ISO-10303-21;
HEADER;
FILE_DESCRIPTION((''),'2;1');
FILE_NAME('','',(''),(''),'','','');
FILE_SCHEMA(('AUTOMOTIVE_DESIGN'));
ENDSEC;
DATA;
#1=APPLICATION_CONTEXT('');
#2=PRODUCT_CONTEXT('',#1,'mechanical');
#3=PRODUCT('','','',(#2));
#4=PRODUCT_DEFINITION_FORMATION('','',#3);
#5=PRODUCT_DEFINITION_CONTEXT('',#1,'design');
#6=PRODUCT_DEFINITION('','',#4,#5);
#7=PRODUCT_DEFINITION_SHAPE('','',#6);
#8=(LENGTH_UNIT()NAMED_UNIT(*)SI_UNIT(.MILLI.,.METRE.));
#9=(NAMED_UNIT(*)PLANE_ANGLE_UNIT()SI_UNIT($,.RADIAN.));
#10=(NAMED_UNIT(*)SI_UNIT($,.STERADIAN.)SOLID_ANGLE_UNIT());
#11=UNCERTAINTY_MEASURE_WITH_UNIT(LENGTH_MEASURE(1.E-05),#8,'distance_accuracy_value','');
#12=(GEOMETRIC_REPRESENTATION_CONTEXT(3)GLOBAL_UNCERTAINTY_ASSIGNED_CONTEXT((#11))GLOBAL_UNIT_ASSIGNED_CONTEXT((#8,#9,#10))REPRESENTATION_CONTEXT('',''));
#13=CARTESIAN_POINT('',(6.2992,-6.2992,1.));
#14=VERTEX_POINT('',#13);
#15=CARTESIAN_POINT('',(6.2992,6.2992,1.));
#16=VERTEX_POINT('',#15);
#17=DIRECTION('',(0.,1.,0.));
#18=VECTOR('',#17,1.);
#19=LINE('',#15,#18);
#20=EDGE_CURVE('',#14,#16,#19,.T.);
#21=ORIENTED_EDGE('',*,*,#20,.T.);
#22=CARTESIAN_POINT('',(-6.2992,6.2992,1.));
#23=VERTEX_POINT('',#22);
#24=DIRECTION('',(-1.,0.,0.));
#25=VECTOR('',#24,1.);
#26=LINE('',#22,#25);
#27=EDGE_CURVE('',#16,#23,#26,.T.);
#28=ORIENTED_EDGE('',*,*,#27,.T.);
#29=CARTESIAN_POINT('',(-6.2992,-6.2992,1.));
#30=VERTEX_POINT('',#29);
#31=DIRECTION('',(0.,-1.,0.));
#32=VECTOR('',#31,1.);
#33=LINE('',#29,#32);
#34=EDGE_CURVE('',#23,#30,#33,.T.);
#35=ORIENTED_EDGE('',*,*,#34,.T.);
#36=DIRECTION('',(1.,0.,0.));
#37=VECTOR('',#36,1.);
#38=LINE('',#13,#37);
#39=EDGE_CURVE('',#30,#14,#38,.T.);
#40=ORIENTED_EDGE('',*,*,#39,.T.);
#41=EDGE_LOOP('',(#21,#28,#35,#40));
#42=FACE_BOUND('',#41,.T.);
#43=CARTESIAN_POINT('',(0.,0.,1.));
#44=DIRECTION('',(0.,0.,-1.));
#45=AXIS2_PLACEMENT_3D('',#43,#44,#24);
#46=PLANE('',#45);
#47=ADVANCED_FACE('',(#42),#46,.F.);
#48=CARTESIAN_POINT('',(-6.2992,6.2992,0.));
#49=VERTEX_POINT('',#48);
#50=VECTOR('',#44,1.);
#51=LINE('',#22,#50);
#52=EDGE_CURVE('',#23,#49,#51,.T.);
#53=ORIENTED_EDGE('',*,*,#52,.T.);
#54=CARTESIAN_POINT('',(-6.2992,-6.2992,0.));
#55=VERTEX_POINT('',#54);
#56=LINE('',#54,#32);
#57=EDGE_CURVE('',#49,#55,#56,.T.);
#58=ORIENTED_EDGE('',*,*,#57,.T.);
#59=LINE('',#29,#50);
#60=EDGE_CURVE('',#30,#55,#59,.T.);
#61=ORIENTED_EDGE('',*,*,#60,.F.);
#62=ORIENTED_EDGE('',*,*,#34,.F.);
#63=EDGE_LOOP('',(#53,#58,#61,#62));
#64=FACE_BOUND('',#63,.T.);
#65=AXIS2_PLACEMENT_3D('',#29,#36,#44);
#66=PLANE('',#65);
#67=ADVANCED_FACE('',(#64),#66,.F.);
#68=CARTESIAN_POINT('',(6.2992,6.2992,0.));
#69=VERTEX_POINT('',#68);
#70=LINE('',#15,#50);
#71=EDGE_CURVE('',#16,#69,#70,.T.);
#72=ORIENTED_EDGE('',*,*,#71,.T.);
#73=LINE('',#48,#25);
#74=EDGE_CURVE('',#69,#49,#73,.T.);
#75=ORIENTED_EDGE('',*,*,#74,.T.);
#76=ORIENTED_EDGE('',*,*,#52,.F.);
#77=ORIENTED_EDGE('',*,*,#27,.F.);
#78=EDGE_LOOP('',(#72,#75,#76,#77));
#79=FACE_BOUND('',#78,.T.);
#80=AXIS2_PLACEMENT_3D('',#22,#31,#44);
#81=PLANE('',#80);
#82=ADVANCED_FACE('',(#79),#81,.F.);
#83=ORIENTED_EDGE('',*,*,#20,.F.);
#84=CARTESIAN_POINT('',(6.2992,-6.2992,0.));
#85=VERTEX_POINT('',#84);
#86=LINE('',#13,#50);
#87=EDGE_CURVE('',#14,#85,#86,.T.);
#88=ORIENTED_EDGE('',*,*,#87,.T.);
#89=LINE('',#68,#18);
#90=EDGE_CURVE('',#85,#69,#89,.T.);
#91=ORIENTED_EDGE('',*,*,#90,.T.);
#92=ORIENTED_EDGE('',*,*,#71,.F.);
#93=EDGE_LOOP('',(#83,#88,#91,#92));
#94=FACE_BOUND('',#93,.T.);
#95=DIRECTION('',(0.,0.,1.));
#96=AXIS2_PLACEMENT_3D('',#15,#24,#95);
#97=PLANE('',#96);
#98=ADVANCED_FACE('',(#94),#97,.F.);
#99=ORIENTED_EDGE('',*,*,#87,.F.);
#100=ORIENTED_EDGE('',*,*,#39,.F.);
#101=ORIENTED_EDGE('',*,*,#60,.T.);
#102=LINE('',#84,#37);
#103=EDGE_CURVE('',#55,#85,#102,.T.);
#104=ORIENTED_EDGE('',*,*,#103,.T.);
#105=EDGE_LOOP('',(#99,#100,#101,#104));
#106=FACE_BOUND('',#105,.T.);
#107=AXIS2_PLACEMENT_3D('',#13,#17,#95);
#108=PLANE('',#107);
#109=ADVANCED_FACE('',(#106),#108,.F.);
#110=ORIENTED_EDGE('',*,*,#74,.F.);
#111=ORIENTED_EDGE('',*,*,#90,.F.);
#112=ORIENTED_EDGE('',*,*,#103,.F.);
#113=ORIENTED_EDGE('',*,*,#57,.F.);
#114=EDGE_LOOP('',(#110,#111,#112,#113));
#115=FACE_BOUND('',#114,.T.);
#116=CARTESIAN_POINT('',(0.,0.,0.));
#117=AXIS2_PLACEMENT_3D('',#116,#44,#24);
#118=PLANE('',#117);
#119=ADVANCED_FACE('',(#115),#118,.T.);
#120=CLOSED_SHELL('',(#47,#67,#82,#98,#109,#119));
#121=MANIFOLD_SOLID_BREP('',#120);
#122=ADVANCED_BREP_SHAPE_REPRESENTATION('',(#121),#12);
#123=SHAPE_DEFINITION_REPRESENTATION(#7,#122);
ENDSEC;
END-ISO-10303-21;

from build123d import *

# Parameters (mm, degrees)
SKIZZE1_W               = 12.5984
SKIZZE1_H               = 12.5984
COMPONENT_OUTLINE_DEPTH = 1


with BuildPart() as part:
    # Skizze1 → Component_Outline (new body)
    with BuildSketch(Plane.XY):
        Rectangle(SKIZZE1_W, SKIZZE1_H)
    extrude(amount=COMPONENT_OUTLINE_DEPTH)


solid = part.part
